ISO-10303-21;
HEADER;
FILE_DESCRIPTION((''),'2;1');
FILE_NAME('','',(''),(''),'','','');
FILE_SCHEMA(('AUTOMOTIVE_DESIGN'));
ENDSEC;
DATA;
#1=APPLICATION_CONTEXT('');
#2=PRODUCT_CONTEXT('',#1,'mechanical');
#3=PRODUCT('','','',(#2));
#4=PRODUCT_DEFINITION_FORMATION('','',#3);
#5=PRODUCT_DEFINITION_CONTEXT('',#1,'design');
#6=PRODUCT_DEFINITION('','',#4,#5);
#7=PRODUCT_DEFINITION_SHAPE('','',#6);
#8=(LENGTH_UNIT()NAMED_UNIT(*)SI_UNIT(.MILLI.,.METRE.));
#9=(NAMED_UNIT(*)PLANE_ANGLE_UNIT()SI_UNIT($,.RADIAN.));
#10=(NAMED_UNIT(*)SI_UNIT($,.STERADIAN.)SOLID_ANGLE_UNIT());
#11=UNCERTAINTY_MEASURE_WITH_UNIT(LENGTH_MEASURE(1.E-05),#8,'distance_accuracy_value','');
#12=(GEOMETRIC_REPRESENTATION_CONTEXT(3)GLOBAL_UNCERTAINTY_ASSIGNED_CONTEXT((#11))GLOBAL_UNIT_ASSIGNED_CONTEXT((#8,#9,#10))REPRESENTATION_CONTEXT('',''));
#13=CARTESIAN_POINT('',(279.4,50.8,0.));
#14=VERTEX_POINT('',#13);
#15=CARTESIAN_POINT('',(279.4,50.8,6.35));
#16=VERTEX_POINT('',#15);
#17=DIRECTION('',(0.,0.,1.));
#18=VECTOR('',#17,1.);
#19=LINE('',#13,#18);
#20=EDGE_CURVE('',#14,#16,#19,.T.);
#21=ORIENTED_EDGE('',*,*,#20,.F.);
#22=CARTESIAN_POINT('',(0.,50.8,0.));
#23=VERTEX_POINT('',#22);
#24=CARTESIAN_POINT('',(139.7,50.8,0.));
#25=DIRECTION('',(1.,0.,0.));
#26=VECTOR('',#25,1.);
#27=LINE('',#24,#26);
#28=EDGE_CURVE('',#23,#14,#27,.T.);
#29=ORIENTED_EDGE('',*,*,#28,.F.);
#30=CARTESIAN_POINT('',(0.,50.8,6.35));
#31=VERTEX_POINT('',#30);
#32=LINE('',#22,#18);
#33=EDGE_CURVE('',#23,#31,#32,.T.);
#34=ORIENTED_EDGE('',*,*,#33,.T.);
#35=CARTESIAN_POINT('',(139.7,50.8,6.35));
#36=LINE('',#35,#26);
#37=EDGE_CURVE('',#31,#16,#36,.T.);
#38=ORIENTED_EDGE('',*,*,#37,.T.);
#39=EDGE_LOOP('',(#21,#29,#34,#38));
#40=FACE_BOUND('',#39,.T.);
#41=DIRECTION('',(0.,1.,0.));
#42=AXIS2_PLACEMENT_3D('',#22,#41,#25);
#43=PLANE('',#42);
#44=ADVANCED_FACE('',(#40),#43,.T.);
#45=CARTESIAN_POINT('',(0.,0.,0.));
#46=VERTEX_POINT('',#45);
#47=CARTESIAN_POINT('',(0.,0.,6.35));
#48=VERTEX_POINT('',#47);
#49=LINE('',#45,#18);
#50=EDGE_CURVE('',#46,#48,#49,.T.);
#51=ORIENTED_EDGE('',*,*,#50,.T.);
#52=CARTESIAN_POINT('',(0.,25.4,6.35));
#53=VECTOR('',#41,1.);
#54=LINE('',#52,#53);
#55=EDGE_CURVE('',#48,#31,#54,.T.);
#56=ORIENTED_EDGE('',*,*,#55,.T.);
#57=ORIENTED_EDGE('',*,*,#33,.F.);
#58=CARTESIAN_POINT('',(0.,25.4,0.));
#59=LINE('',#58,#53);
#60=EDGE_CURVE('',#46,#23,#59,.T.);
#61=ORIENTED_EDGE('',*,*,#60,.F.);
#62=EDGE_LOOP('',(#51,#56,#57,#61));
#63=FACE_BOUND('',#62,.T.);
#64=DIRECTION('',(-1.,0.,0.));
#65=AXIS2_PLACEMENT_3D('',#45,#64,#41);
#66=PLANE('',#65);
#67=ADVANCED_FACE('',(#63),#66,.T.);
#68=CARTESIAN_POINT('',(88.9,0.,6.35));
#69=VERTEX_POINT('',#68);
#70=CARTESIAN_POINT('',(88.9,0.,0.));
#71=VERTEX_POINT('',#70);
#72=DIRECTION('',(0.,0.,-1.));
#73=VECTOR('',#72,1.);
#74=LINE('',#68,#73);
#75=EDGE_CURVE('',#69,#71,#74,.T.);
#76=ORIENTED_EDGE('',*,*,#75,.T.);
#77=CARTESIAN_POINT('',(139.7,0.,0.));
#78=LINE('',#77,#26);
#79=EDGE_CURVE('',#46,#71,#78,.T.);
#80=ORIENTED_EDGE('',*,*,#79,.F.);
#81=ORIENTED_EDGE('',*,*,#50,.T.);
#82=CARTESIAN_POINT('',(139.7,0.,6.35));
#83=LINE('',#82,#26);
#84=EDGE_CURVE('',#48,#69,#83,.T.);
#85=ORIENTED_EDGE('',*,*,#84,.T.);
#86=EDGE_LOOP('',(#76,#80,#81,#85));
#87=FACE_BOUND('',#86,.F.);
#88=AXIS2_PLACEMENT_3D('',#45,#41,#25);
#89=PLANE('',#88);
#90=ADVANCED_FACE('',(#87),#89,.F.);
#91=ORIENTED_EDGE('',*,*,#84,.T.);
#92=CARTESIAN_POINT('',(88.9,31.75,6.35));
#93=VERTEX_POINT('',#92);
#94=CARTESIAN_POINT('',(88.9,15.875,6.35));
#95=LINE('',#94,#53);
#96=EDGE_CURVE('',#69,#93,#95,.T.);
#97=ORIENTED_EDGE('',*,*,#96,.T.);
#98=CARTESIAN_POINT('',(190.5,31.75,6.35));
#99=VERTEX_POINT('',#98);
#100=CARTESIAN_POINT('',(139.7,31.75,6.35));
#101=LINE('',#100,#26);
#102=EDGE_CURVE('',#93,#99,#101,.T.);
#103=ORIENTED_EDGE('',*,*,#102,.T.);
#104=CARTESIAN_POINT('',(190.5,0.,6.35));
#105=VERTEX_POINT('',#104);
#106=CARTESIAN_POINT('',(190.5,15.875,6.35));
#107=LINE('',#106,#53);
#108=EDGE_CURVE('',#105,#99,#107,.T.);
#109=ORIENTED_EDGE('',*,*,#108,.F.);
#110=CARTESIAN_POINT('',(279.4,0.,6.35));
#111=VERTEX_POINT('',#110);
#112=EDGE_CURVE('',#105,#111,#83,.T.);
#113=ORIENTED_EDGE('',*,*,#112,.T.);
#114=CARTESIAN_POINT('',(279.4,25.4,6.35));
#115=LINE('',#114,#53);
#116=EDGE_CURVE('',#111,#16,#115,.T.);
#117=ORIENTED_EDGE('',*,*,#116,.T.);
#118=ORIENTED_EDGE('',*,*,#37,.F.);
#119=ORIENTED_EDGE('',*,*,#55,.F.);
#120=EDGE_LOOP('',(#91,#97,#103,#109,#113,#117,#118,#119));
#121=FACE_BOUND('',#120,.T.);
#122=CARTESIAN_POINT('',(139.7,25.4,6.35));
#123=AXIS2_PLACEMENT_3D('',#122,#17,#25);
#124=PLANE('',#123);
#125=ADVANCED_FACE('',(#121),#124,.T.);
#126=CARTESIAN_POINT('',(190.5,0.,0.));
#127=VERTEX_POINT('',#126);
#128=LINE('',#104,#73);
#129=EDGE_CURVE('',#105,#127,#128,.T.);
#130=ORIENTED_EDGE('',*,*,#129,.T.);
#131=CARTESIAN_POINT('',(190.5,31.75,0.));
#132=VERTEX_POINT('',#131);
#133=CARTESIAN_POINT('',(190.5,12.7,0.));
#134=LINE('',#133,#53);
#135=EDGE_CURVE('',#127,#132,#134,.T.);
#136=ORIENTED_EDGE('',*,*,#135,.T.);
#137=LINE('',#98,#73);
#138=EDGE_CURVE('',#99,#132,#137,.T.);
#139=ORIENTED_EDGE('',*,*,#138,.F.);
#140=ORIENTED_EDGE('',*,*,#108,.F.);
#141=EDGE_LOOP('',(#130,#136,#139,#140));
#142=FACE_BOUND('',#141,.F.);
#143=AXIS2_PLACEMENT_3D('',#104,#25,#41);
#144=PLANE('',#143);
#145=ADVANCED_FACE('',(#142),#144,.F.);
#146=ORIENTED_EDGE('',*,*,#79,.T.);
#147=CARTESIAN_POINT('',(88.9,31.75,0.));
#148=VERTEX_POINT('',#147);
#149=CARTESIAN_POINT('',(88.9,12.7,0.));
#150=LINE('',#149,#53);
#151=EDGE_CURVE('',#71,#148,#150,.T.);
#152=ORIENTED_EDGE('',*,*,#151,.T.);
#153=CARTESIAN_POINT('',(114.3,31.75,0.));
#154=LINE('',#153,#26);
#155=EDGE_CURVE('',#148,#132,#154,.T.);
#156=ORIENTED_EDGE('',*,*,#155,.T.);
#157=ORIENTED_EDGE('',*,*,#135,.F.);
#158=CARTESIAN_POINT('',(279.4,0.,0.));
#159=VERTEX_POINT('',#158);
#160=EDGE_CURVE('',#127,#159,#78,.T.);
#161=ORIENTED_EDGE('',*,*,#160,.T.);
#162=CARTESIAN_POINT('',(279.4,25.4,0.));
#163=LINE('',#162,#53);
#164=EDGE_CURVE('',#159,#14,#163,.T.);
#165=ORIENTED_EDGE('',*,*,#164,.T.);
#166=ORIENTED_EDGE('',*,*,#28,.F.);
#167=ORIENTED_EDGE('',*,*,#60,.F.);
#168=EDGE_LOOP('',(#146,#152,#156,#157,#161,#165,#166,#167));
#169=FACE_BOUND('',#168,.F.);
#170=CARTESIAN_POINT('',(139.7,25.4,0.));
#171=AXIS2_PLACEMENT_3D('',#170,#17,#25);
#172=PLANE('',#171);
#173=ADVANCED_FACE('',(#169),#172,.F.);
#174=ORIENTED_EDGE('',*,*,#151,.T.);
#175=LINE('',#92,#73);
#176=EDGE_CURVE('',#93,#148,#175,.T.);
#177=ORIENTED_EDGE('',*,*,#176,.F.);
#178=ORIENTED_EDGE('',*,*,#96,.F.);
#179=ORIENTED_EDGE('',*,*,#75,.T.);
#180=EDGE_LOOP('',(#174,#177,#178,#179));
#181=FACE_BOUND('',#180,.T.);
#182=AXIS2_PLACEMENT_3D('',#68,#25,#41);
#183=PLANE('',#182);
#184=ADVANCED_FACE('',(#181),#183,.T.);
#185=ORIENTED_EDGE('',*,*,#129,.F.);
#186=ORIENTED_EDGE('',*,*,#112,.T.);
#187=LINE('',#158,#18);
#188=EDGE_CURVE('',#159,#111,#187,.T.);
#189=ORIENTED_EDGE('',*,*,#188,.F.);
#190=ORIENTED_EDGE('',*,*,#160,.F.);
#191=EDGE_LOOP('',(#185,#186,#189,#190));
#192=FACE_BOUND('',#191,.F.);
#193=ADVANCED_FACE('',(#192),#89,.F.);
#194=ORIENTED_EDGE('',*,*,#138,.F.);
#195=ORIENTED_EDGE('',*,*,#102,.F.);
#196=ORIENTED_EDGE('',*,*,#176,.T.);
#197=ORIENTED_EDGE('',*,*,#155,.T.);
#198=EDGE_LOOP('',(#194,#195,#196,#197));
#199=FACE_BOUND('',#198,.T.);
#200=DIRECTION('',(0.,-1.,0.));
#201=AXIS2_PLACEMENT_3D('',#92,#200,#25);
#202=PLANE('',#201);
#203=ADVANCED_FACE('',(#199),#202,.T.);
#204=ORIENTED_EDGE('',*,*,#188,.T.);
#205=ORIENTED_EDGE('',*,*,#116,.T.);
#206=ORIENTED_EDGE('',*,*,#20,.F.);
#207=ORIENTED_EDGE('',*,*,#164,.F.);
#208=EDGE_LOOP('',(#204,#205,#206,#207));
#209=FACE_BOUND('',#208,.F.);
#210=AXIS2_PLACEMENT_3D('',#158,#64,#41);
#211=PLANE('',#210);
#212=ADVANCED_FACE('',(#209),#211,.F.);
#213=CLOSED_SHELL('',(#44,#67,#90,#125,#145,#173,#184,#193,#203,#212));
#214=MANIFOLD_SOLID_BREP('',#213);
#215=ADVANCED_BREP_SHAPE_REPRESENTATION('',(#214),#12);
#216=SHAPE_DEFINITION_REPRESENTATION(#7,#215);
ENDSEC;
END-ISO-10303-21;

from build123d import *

# Parameters (mm, degrees)
BOX001_W                    = 279.4
BOX001_H                    = 50.8
BOX001_DEPTH                = 6.35
BOX001_PLACEMENT_ANGLE      = 30
BASEFEATURE_PLACEMENT_ANGLE = 30
SKETCH001_W                 = 101.6
SKETCH001_H                 = 31.75
POCKET_DEPTH                = 6.351


with BuildPart() as part:
    # Box001 → Box001 (new body)
    with BuildSketch(Plane.XY):
        with Locations((139.7, 25.4)):
            Rectangle(BOX001_W, BOX001_H)
    extrude(amount=BOX001_DEPTH)


with BuildPart() as part_1:
    # Box001 placement: moved
    add(part.part.moved(Location((0, 0, -417.576))).rotate(Axis((0, 0, -417.576), (-1, 0, 0)), BOX001_PLACEMENT_ANGLE))


with BuildPart() as part_2:
    # BaseFeature placement: moved
    add(part_1.part.moved(Location((0, -208.788, 361.631424))).rotate(Axis((0, -208.788, 361.631424), (1, 0, 0)), BASEFEATURE_PLACEMENT_ANGLE))

    # Sketch001 (on DatumPlane) → Pocket (cut, through all)
    with BuildSketch(Plane.XY.offset(6.35)):
        with Locations((139.7, 15.875)):
            Rectangle(SKETCH001_W, SKETCH001_H)
    extrude(amount=-POCKET_DEPTH, mode=Mode.SUBTRACT)


solid = part_2.part
